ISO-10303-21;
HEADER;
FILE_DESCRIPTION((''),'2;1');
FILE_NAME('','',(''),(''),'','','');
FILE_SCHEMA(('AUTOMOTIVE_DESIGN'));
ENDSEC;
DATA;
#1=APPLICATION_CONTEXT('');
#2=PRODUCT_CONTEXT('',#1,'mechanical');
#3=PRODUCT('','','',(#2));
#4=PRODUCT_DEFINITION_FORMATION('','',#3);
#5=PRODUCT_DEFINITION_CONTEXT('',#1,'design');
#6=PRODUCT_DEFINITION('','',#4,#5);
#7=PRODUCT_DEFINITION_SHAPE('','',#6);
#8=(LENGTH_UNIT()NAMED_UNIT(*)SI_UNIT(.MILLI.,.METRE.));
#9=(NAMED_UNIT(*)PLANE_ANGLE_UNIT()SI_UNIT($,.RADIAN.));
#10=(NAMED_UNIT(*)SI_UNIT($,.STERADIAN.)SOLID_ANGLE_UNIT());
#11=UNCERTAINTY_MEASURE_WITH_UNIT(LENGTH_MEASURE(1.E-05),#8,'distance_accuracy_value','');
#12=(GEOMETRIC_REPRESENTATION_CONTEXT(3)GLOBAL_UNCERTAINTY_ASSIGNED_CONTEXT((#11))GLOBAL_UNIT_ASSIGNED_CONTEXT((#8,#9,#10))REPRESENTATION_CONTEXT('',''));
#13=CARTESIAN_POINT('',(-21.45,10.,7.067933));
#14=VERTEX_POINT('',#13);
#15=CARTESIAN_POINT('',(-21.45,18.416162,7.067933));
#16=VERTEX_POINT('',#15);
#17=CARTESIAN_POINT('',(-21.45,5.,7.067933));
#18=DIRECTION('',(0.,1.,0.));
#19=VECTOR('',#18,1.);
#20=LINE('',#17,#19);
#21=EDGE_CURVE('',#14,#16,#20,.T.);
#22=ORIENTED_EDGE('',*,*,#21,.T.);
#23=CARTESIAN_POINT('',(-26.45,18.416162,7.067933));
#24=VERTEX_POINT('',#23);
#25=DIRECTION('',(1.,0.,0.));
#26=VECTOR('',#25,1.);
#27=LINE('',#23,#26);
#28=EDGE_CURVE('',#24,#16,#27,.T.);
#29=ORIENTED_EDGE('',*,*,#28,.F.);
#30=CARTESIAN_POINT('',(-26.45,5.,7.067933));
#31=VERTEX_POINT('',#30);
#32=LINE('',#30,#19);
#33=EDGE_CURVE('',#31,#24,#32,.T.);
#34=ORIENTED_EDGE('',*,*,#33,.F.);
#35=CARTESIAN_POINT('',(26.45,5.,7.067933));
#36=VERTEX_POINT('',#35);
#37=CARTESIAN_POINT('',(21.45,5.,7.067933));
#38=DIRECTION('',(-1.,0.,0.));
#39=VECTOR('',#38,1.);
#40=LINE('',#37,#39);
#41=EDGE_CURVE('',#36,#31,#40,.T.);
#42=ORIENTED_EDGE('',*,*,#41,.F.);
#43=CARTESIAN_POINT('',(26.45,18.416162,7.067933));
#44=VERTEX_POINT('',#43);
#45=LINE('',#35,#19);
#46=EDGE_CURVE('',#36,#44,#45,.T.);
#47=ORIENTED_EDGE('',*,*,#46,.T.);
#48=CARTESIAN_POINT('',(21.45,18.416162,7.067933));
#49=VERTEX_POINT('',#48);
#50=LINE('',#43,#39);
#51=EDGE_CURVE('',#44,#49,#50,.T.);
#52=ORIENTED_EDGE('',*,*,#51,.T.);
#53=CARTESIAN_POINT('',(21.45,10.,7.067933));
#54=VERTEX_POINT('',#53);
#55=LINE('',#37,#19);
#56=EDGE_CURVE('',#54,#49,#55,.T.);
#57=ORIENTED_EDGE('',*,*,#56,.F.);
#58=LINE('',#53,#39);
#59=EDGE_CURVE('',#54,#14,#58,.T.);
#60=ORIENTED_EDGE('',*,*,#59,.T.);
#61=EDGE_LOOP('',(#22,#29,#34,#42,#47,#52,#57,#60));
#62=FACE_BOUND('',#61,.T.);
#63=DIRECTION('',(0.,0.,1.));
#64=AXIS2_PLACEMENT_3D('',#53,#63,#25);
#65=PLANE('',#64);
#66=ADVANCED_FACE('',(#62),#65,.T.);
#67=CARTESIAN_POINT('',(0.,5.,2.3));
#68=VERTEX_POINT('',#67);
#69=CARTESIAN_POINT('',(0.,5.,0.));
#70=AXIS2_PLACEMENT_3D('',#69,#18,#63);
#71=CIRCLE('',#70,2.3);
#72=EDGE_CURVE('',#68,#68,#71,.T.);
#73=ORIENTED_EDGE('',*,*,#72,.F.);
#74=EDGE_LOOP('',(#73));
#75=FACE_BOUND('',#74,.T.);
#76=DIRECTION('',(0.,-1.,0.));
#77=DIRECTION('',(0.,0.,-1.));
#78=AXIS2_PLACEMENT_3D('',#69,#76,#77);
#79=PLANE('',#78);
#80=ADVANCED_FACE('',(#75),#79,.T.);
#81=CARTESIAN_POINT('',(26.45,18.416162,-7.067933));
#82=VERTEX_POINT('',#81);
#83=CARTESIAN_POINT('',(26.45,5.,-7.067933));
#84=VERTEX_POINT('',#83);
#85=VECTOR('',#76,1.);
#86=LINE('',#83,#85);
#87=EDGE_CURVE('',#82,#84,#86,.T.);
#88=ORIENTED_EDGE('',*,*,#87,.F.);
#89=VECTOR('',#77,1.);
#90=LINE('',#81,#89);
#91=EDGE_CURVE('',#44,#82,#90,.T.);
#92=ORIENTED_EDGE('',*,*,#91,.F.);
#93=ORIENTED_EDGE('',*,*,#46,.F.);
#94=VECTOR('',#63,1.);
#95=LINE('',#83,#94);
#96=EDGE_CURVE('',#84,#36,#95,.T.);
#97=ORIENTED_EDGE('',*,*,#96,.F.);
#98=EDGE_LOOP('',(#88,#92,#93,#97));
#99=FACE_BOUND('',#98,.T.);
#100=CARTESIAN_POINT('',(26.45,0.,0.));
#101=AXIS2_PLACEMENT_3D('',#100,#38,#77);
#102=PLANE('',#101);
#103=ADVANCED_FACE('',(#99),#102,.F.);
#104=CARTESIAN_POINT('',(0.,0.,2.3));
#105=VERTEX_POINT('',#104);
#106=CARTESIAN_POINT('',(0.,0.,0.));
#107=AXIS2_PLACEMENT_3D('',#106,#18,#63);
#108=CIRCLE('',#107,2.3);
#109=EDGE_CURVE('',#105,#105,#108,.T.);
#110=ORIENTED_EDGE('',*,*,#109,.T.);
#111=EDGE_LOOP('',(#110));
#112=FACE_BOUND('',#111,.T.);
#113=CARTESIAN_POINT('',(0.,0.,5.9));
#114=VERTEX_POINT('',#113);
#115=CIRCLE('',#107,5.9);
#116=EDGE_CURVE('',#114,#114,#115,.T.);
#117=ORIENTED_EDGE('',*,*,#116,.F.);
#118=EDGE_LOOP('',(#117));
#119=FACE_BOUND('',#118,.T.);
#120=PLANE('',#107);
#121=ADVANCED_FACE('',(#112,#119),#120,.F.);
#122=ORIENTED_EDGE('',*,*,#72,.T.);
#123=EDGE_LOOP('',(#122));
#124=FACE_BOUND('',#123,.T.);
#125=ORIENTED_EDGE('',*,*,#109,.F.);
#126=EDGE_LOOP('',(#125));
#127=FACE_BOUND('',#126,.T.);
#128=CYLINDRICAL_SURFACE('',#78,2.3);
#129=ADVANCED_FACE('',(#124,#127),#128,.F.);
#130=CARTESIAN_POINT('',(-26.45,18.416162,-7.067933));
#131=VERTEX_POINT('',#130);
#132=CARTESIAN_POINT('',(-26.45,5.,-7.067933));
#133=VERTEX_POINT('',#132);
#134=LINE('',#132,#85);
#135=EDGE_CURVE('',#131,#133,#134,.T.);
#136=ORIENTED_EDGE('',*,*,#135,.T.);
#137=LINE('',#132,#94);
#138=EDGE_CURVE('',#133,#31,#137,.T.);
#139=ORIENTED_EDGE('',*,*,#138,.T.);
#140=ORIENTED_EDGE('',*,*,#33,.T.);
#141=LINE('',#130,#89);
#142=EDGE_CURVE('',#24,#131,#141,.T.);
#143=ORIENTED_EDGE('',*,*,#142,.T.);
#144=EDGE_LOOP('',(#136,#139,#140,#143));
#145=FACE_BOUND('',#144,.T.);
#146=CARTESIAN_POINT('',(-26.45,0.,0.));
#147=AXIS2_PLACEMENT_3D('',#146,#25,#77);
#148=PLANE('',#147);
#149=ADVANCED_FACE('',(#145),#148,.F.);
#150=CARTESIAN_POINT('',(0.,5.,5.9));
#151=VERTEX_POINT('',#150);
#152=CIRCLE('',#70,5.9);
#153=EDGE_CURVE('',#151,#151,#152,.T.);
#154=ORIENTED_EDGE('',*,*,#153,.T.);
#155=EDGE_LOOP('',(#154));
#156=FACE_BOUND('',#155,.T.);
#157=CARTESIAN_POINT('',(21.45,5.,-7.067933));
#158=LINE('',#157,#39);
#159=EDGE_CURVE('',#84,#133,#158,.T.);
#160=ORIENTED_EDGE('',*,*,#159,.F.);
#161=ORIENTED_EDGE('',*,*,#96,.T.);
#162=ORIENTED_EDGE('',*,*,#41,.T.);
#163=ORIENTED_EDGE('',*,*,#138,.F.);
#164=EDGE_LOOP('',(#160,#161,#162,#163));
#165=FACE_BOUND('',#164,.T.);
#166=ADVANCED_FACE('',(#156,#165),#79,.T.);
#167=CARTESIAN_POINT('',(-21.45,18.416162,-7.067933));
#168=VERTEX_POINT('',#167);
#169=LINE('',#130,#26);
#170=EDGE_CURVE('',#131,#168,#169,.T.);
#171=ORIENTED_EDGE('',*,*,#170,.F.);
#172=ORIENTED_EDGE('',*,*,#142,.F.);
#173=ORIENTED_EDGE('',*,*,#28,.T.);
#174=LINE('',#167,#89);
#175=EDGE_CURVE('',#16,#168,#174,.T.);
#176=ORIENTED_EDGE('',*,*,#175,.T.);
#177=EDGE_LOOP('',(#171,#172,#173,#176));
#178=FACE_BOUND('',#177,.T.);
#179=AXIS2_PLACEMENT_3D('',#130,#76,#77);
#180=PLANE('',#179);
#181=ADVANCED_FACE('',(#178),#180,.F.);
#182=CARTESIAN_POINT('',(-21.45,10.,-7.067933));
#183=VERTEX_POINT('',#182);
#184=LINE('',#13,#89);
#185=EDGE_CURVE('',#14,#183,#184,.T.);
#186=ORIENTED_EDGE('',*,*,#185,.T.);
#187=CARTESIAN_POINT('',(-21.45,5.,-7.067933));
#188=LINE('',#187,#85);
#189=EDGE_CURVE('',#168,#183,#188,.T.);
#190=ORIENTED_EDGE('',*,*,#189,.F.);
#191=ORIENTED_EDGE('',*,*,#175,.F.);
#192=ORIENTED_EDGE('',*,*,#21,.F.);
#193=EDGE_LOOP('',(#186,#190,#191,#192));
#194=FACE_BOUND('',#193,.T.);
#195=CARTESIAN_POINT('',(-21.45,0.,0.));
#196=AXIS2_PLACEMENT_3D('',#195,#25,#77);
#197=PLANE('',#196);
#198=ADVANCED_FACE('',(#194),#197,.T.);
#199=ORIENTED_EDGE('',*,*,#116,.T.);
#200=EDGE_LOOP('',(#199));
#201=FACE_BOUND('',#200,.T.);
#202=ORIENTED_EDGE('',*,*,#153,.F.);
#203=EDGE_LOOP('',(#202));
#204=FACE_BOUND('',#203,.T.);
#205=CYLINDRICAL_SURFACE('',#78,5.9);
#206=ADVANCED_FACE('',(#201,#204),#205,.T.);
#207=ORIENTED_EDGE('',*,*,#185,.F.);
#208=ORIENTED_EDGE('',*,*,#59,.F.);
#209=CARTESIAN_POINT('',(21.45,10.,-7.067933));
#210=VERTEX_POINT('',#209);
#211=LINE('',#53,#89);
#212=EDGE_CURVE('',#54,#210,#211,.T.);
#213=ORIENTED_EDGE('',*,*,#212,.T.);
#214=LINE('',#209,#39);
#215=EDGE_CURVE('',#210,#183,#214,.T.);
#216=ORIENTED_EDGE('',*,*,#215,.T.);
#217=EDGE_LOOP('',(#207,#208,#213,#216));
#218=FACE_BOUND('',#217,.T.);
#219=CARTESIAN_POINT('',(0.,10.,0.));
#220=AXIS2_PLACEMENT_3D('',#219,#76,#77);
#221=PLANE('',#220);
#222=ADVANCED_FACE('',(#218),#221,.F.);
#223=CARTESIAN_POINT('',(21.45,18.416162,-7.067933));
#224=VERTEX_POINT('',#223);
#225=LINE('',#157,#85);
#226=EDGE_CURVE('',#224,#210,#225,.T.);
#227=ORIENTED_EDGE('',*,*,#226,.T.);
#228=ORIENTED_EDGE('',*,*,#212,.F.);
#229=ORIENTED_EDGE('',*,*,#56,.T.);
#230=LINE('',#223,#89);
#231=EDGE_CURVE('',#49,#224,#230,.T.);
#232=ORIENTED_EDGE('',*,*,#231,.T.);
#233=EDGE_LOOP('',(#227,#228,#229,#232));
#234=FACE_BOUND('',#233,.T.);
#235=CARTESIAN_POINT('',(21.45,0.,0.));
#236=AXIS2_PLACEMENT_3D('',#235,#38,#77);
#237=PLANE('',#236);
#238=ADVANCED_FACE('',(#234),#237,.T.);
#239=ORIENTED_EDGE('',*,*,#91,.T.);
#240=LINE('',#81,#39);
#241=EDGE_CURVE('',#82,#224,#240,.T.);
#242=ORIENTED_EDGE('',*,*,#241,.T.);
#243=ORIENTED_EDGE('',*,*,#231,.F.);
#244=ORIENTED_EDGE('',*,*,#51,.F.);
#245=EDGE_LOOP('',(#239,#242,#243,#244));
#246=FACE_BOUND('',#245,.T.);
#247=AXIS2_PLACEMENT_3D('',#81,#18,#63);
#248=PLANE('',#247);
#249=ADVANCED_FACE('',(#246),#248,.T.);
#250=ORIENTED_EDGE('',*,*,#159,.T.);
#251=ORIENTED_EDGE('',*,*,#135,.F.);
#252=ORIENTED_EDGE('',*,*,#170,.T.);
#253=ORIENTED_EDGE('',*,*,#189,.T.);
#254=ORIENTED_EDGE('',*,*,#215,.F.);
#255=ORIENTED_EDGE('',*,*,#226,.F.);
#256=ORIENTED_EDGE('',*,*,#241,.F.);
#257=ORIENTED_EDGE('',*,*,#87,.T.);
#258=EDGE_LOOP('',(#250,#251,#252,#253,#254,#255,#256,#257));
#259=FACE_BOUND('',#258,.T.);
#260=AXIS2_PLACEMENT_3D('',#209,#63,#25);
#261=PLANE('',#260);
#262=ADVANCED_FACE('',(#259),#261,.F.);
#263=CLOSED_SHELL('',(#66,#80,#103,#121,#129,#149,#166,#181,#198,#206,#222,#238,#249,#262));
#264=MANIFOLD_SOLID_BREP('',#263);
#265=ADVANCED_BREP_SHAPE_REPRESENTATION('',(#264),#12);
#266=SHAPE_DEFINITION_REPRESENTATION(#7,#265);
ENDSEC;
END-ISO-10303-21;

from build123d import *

# Parameters (mm, degrees)
SKETCH1_R           = 5.9
SKETCH1_R_2         = 2.3
BOSS_EXTRUDE1_DEPTH = 5
SKETCH2_W           = 42.9
SKETCH2_H           = 14.13586664
BOSS_EXTRUDE2_DEPTH = 5
SKETCH3_W           = 14.13586664
SKETCH3_H           = 13.416162411
BOSS_EXTRUDE3_DEPTH = 5


with BuildPart() as part:
    # Sketch1 → Boss-Extrude1 (new body)
    with BuildSketch(Plane(origin=(0, 0, 0), x_dir=(1, 0, 0), z_dir=(0, 1, 0))):
        with Locations(Location((0, 0, 0), (0, 0, 270))):
            Circle(SKETCH1_R)
        with Locations(Location((0, 0, 0), (0, 0, 270))):
            Circle(SKETCH1_R_2, mode=Mode.SUBTRACT)
    extrude(amount=BOSS_EXTRUDE1_DEPTH)

    # Sketch2 → Boss-Extrude2 (add)
    with BuildSketch(Plane(origin=(0, 5, 0), x_dir=(1, 0, 0), z_dir=(0, 1, 0))):
        Rectangle(SKETCH2_W, SKETCH2_H)
    extrude(amount=BOSS_EXTRUDE2_DEPTH)

    # Sketch3 → Boss-Extrude3 (add)
    with BuildSketch(Plane.ZY.offset(21.45)):
        with Locations((0, 11.708081206)):
            Rectangle(SKETCH3_W, SKETCH3_H)
    boss_extrude3 = extrude(amount=BOSS_EXTRUDE3_DEPTH)

    # Mirror1: Boss-Extrude3 across plane
    add(boss_extrude3.mirror(Plane(origin=(0, 0, 0), x_dir=(0, 0, 1), z_dir=(1, 0, 0))))


solid = part.part
